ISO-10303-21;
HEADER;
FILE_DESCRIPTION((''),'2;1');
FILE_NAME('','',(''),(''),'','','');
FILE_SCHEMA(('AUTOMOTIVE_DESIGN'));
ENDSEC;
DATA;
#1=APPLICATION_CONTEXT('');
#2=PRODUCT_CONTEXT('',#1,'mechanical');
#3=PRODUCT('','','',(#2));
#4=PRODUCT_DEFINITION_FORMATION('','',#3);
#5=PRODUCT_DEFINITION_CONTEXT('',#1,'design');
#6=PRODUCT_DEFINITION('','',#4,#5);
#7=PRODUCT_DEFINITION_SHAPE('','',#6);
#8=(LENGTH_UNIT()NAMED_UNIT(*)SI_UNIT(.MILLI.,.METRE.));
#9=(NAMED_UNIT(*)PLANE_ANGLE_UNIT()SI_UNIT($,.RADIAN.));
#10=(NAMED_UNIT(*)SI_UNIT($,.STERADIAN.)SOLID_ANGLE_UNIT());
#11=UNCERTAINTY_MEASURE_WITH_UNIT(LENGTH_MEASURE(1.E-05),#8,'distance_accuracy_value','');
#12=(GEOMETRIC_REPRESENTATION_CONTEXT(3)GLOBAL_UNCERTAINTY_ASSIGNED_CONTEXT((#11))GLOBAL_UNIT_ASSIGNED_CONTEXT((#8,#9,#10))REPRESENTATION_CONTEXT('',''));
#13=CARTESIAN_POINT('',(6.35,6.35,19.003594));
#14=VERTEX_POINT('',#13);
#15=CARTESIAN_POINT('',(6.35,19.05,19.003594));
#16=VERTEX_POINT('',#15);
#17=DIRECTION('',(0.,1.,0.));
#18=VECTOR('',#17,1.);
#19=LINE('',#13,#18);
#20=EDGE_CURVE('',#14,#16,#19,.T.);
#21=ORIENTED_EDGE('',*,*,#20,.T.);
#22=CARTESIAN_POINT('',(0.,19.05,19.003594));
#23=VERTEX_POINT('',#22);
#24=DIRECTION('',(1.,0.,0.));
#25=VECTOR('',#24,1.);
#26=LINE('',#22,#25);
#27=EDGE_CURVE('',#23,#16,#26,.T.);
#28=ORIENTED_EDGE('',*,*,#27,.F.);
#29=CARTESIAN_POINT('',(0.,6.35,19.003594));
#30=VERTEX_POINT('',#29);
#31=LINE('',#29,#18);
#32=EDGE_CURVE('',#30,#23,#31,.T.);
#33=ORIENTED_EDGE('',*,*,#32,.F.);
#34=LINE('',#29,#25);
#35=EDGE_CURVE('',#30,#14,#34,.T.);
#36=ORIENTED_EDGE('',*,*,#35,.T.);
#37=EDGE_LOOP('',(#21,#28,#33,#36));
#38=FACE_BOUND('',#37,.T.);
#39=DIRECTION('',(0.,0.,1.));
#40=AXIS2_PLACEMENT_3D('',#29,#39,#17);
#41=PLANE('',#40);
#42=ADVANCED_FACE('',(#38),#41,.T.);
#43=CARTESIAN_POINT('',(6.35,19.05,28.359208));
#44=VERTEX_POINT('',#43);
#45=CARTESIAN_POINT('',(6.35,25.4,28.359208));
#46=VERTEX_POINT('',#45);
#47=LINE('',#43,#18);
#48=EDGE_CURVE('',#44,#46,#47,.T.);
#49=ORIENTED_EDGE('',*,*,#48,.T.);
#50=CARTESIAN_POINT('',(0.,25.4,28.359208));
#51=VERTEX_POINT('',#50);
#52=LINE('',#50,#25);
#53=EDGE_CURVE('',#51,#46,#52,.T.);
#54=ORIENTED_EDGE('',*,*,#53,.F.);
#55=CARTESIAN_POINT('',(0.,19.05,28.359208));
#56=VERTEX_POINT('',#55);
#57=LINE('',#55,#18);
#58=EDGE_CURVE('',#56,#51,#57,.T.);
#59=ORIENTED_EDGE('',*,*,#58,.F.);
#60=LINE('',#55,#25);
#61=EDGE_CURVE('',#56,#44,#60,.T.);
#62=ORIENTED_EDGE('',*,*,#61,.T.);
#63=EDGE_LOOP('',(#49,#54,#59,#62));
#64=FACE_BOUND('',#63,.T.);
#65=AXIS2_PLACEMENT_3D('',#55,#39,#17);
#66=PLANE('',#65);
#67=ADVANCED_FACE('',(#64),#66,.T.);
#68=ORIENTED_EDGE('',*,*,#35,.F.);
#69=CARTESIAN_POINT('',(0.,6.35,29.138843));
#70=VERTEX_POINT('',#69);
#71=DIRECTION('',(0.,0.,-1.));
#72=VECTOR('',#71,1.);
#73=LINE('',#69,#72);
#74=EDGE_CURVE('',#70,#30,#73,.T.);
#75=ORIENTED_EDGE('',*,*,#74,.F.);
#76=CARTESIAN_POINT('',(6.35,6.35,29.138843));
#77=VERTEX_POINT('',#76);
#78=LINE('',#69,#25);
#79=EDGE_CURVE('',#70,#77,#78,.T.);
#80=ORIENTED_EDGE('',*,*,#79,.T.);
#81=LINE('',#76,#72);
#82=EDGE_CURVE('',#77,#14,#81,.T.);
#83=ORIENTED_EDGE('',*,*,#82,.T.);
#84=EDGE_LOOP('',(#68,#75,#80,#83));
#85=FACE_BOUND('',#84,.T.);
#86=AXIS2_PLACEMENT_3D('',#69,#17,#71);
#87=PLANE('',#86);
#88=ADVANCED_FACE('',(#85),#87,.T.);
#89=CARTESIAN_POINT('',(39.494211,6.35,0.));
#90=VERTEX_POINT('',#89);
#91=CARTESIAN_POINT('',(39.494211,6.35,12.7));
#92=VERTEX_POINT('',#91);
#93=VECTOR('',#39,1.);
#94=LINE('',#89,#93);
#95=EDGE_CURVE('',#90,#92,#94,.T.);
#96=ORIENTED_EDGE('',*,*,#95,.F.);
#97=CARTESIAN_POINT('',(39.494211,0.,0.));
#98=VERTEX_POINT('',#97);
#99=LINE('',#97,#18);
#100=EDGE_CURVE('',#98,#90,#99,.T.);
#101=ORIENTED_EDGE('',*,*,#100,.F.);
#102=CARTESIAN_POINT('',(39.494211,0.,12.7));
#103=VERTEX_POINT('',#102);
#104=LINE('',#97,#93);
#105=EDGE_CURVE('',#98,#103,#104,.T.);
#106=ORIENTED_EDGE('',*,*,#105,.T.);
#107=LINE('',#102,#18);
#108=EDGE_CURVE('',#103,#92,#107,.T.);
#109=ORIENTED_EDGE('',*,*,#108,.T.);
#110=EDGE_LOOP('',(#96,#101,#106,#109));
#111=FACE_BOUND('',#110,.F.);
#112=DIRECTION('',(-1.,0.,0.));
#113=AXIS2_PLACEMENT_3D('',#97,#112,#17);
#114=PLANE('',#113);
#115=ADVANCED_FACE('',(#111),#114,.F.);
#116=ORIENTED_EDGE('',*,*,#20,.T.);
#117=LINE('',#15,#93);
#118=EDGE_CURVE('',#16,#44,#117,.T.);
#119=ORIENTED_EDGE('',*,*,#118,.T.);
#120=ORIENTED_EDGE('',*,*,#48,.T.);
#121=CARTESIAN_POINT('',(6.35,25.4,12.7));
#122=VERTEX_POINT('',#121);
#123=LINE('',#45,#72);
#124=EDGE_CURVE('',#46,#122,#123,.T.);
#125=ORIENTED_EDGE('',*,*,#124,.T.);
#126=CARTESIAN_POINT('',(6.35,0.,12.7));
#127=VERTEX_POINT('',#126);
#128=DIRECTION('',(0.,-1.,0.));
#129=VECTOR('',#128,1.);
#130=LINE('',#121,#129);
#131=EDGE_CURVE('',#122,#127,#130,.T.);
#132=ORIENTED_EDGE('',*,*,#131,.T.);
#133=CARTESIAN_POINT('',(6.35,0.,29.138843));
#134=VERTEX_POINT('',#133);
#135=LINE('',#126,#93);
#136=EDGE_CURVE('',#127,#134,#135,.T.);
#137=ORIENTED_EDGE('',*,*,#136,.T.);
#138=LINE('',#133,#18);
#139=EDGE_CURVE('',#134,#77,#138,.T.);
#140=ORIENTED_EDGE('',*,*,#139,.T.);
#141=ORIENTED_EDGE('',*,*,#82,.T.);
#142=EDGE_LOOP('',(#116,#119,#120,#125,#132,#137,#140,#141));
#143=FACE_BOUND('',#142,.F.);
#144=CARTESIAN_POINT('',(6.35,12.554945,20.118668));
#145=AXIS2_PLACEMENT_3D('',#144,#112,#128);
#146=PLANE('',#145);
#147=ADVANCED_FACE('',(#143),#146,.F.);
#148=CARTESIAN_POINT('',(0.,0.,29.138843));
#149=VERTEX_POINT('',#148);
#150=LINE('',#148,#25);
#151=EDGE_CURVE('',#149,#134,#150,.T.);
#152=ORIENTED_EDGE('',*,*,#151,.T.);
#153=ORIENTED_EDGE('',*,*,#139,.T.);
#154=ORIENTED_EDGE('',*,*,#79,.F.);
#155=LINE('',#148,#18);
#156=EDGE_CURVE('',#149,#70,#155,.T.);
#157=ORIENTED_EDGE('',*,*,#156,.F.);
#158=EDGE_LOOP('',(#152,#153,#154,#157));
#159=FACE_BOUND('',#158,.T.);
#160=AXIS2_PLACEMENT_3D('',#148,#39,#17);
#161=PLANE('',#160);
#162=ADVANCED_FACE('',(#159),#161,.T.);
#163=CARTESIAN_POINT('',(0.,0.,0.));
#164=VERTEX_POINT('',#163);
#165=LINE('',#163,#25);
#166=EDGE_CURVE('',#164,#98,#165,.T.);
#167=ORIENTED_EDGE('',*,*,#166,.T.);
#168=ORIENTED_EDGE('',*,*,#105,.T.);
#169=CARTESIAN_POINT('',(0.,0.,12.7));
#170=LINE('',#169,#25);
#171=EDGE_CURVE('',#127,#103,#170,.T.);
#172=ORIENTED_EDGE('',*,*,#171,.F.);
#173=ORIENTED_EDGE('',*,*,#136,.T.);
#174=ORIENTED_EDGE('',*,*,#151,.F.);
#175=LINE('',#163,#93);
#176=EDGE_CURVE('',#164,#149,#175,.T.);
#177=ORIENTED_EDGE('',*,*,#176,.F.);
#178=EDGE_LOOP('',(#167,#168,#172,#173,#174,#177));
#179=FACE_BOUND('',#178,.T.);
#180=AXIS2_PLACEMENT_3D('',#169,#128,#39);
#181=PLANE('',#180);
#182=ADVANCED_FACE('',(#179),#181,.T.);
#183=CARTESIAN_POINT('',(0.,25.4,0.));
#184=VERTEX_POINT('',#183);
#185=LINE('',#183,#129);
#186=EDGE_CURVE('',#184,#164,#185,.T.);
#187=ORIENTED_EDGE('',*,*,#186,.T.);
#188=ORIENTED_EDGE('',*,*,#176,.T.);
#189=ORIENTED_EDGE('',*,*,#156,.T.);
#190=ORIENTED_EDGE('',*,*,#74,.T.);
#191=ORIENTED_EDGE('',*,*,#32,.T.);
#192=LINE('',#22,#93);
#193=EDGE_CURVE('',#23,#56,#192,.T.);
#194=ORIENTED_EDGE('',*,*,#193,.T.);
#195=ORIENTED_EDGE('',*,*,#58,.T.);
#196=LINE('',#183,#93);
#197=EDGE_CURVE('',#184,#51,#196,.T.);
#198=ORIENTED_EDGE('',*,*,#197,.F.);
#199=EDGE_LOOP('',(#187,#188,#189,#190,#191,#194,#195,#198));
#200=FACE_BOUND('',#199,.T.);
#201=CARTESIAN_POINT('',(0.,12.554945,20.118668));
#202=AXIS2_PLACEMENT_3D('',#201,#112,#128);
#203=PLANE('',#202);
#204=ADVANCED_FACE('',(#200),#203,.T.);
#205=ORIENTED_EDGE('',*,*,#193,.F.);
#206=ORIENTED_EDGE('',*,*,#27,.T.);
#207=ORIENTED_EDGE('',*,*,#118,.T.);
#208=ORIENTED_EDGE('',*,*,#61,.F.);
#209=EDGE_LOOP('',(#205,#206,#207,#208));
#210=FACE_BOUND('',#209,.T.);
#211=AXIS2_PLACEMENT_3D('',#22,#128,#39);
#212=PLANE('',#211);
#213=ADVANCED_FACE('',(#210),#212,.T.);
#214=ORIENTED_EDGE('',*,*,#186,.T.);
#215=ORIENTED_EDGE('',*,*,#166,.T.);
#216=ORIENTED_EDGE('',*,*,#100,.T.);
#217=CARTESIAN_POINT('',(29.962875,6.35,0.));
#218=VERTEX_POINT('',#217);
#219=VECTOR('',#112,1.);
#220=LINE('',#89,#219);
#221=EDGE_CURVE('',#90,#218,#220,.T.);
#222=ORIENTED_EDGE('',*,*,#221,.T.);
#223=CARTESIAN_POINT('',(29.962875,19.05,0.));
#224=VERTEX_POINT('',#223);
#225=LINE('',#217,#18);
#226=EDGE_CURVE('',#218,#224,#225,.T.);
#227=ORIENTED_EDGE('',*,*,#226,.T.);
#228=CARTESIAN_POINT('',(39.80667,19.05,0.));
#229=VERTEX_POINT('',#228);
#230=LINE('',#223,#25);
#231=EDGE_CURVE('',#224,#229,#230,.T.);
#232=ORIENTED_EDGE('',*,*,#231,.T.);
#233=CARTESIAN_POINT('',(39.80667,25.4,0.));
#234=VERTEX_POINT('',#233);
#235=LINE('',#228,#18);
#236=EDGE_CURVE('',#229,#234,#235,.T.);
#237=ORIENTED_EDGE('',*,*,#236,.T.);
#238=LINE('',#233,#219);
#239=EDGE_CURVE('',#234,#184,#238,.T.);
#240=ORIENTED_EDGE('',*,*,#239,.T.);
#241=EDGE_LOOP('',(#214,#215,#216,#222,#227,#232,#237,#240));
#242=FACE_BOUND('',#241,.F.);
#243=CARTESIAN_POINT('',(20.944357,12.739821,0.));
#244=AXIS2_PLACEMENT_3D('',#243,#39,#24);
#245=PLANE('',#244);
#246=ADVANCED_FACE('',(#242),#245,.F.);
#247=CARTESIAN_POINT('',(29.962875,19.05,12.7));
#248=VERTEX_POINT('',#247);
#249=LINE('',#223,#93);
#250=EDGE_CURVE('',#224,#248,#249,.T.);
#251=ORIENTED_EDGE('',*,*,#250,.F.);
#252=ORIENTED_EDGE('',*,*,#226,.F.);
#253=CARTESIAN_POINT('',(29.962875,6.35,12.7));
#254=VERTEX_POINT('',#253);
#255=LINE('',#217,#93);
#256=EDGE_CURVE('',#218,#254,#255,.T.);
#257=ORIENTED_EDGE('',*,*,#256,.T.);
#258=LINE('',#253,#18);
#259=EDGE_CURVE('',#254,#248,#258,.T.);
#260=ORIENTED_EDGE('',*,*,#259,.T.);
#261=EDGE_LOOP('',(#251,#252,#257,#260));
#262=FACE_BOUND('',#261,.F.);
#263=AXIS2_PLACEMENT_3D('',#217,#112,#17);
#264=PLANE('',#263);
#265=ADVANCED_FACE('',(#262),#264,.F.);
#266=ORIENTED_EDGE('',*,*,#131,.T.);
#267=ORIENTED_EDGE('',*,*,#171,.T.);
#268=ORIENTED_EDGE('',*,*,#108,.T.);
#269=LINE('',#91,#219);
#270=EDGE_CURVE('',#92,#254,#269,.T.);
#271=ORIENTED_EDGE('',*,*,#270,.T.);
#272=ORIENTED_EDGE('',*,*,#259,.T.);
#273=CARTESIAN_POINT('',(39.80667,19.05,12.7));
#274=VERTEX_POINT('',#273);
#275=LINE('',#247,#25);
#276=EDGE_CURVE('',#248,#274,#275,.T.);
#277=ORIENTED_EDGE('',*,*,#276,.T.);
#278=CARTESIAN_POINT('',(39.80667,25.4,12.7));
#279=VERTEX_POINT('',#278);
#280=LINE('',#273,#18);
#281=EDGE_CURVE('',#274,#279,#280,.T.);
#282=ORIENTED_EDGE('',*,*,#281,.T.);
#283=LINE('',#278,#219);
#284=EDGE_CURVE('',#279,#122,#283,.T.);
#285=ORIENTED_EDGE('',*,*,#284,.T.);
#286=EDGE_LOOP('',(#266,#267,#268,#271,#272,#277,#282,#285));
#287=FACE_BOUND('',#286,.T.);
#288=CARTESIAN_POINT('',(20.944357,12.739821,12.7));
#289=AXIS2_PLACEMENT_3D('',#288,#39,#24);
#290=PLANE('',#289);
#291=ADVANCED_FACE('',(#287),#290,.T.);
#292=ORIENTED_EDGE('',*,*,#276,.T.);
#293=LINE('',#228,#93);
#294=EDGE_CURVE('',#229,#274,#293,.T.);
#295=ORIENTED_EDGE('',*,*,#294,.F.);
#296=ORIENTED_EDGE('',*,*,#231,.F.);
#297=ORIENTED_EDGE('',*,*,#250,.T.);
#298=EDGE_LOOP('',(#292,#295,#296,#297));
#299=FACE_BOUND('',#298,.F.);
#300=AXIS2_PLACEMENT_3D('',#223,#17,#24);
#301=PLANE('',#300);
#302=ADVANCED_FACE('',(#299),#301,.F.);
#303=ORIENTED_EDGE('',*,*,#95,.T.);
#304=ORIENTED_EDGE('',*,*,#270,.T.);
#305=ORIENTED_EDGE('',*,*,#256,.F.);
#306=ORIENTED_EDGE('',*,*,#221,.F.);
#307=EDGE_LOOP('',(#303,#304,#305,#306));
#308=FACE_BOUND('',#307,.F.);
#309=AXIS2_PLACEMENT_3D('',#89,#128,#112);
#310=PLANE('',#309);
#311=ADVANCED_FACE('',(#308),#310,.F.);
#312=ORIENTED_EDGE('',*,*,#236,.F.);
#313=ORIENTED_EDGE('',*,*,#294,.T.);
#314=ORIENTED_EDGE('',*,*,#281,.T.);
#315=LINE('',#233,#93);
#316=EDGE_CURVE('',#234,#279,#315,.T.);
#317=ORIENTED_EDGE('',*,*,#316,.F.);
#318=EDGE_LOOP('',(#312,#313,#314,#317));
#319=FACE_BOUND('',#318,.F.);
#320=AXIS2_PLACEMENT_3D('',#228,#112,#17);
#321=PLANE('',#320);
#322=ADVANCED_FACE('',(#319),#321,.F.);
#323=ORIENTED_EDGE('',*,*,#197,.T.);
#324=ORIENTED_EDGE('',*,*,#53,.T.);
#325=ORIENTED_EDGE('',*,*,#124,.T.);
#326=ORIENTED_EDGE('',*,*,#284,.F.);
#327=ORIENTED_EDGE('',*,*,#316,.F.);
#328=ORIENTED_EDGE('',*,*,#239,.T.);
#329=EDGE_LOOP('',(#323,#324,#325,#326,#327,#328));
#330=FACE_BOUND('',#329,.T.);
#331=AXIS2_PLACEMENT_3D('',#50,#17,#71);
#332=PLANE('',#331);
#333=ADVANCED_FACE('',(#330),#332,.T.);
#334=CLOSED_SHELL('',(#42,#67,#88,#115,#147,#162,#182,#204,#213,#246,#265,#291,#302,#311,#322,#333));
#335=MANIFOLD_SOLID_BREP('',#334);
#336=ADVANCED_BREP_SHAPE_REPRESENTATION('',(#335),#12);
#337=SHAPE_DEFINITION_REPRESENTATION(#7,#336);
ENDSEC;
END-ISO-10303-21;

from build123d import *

# Parameters (mm, degrees)
F1_DEPTH = 12.7
F3_DEPTH = 6.35


with BuildPart() as f1:
    # F0 (on Top) → F1 (new body)
    with BuildSketch(Plane.XY):
        Polygon((39.80667, 25.4), (0, 25.4), (0, 0), (39.494211, 0), (39.494211, 6.35), (29.962875, 6.35), (29.962875, 19.05), (39.80667, 19.05), align=None)
    extrude(amount=F1_DEPTH)

    # F2 (on face) → F3 (join)
    with BuildSketch(Plane(origin=(0, 0, 0), x_dir=(0, -1, 0), z_dir=(-1, 0, 0))):
        Polygon((-25.4, 28.359208), (-25.4, 12.7), (0, 12.7), (0, 29.138843), (-6.35, 29.138843), (-6.35, 19.003594), (-19.05, 19.003594), (-19.05, 28.359208), align=None)
    extrude(amount=-F3_DEPTH)


solid = f1.part
